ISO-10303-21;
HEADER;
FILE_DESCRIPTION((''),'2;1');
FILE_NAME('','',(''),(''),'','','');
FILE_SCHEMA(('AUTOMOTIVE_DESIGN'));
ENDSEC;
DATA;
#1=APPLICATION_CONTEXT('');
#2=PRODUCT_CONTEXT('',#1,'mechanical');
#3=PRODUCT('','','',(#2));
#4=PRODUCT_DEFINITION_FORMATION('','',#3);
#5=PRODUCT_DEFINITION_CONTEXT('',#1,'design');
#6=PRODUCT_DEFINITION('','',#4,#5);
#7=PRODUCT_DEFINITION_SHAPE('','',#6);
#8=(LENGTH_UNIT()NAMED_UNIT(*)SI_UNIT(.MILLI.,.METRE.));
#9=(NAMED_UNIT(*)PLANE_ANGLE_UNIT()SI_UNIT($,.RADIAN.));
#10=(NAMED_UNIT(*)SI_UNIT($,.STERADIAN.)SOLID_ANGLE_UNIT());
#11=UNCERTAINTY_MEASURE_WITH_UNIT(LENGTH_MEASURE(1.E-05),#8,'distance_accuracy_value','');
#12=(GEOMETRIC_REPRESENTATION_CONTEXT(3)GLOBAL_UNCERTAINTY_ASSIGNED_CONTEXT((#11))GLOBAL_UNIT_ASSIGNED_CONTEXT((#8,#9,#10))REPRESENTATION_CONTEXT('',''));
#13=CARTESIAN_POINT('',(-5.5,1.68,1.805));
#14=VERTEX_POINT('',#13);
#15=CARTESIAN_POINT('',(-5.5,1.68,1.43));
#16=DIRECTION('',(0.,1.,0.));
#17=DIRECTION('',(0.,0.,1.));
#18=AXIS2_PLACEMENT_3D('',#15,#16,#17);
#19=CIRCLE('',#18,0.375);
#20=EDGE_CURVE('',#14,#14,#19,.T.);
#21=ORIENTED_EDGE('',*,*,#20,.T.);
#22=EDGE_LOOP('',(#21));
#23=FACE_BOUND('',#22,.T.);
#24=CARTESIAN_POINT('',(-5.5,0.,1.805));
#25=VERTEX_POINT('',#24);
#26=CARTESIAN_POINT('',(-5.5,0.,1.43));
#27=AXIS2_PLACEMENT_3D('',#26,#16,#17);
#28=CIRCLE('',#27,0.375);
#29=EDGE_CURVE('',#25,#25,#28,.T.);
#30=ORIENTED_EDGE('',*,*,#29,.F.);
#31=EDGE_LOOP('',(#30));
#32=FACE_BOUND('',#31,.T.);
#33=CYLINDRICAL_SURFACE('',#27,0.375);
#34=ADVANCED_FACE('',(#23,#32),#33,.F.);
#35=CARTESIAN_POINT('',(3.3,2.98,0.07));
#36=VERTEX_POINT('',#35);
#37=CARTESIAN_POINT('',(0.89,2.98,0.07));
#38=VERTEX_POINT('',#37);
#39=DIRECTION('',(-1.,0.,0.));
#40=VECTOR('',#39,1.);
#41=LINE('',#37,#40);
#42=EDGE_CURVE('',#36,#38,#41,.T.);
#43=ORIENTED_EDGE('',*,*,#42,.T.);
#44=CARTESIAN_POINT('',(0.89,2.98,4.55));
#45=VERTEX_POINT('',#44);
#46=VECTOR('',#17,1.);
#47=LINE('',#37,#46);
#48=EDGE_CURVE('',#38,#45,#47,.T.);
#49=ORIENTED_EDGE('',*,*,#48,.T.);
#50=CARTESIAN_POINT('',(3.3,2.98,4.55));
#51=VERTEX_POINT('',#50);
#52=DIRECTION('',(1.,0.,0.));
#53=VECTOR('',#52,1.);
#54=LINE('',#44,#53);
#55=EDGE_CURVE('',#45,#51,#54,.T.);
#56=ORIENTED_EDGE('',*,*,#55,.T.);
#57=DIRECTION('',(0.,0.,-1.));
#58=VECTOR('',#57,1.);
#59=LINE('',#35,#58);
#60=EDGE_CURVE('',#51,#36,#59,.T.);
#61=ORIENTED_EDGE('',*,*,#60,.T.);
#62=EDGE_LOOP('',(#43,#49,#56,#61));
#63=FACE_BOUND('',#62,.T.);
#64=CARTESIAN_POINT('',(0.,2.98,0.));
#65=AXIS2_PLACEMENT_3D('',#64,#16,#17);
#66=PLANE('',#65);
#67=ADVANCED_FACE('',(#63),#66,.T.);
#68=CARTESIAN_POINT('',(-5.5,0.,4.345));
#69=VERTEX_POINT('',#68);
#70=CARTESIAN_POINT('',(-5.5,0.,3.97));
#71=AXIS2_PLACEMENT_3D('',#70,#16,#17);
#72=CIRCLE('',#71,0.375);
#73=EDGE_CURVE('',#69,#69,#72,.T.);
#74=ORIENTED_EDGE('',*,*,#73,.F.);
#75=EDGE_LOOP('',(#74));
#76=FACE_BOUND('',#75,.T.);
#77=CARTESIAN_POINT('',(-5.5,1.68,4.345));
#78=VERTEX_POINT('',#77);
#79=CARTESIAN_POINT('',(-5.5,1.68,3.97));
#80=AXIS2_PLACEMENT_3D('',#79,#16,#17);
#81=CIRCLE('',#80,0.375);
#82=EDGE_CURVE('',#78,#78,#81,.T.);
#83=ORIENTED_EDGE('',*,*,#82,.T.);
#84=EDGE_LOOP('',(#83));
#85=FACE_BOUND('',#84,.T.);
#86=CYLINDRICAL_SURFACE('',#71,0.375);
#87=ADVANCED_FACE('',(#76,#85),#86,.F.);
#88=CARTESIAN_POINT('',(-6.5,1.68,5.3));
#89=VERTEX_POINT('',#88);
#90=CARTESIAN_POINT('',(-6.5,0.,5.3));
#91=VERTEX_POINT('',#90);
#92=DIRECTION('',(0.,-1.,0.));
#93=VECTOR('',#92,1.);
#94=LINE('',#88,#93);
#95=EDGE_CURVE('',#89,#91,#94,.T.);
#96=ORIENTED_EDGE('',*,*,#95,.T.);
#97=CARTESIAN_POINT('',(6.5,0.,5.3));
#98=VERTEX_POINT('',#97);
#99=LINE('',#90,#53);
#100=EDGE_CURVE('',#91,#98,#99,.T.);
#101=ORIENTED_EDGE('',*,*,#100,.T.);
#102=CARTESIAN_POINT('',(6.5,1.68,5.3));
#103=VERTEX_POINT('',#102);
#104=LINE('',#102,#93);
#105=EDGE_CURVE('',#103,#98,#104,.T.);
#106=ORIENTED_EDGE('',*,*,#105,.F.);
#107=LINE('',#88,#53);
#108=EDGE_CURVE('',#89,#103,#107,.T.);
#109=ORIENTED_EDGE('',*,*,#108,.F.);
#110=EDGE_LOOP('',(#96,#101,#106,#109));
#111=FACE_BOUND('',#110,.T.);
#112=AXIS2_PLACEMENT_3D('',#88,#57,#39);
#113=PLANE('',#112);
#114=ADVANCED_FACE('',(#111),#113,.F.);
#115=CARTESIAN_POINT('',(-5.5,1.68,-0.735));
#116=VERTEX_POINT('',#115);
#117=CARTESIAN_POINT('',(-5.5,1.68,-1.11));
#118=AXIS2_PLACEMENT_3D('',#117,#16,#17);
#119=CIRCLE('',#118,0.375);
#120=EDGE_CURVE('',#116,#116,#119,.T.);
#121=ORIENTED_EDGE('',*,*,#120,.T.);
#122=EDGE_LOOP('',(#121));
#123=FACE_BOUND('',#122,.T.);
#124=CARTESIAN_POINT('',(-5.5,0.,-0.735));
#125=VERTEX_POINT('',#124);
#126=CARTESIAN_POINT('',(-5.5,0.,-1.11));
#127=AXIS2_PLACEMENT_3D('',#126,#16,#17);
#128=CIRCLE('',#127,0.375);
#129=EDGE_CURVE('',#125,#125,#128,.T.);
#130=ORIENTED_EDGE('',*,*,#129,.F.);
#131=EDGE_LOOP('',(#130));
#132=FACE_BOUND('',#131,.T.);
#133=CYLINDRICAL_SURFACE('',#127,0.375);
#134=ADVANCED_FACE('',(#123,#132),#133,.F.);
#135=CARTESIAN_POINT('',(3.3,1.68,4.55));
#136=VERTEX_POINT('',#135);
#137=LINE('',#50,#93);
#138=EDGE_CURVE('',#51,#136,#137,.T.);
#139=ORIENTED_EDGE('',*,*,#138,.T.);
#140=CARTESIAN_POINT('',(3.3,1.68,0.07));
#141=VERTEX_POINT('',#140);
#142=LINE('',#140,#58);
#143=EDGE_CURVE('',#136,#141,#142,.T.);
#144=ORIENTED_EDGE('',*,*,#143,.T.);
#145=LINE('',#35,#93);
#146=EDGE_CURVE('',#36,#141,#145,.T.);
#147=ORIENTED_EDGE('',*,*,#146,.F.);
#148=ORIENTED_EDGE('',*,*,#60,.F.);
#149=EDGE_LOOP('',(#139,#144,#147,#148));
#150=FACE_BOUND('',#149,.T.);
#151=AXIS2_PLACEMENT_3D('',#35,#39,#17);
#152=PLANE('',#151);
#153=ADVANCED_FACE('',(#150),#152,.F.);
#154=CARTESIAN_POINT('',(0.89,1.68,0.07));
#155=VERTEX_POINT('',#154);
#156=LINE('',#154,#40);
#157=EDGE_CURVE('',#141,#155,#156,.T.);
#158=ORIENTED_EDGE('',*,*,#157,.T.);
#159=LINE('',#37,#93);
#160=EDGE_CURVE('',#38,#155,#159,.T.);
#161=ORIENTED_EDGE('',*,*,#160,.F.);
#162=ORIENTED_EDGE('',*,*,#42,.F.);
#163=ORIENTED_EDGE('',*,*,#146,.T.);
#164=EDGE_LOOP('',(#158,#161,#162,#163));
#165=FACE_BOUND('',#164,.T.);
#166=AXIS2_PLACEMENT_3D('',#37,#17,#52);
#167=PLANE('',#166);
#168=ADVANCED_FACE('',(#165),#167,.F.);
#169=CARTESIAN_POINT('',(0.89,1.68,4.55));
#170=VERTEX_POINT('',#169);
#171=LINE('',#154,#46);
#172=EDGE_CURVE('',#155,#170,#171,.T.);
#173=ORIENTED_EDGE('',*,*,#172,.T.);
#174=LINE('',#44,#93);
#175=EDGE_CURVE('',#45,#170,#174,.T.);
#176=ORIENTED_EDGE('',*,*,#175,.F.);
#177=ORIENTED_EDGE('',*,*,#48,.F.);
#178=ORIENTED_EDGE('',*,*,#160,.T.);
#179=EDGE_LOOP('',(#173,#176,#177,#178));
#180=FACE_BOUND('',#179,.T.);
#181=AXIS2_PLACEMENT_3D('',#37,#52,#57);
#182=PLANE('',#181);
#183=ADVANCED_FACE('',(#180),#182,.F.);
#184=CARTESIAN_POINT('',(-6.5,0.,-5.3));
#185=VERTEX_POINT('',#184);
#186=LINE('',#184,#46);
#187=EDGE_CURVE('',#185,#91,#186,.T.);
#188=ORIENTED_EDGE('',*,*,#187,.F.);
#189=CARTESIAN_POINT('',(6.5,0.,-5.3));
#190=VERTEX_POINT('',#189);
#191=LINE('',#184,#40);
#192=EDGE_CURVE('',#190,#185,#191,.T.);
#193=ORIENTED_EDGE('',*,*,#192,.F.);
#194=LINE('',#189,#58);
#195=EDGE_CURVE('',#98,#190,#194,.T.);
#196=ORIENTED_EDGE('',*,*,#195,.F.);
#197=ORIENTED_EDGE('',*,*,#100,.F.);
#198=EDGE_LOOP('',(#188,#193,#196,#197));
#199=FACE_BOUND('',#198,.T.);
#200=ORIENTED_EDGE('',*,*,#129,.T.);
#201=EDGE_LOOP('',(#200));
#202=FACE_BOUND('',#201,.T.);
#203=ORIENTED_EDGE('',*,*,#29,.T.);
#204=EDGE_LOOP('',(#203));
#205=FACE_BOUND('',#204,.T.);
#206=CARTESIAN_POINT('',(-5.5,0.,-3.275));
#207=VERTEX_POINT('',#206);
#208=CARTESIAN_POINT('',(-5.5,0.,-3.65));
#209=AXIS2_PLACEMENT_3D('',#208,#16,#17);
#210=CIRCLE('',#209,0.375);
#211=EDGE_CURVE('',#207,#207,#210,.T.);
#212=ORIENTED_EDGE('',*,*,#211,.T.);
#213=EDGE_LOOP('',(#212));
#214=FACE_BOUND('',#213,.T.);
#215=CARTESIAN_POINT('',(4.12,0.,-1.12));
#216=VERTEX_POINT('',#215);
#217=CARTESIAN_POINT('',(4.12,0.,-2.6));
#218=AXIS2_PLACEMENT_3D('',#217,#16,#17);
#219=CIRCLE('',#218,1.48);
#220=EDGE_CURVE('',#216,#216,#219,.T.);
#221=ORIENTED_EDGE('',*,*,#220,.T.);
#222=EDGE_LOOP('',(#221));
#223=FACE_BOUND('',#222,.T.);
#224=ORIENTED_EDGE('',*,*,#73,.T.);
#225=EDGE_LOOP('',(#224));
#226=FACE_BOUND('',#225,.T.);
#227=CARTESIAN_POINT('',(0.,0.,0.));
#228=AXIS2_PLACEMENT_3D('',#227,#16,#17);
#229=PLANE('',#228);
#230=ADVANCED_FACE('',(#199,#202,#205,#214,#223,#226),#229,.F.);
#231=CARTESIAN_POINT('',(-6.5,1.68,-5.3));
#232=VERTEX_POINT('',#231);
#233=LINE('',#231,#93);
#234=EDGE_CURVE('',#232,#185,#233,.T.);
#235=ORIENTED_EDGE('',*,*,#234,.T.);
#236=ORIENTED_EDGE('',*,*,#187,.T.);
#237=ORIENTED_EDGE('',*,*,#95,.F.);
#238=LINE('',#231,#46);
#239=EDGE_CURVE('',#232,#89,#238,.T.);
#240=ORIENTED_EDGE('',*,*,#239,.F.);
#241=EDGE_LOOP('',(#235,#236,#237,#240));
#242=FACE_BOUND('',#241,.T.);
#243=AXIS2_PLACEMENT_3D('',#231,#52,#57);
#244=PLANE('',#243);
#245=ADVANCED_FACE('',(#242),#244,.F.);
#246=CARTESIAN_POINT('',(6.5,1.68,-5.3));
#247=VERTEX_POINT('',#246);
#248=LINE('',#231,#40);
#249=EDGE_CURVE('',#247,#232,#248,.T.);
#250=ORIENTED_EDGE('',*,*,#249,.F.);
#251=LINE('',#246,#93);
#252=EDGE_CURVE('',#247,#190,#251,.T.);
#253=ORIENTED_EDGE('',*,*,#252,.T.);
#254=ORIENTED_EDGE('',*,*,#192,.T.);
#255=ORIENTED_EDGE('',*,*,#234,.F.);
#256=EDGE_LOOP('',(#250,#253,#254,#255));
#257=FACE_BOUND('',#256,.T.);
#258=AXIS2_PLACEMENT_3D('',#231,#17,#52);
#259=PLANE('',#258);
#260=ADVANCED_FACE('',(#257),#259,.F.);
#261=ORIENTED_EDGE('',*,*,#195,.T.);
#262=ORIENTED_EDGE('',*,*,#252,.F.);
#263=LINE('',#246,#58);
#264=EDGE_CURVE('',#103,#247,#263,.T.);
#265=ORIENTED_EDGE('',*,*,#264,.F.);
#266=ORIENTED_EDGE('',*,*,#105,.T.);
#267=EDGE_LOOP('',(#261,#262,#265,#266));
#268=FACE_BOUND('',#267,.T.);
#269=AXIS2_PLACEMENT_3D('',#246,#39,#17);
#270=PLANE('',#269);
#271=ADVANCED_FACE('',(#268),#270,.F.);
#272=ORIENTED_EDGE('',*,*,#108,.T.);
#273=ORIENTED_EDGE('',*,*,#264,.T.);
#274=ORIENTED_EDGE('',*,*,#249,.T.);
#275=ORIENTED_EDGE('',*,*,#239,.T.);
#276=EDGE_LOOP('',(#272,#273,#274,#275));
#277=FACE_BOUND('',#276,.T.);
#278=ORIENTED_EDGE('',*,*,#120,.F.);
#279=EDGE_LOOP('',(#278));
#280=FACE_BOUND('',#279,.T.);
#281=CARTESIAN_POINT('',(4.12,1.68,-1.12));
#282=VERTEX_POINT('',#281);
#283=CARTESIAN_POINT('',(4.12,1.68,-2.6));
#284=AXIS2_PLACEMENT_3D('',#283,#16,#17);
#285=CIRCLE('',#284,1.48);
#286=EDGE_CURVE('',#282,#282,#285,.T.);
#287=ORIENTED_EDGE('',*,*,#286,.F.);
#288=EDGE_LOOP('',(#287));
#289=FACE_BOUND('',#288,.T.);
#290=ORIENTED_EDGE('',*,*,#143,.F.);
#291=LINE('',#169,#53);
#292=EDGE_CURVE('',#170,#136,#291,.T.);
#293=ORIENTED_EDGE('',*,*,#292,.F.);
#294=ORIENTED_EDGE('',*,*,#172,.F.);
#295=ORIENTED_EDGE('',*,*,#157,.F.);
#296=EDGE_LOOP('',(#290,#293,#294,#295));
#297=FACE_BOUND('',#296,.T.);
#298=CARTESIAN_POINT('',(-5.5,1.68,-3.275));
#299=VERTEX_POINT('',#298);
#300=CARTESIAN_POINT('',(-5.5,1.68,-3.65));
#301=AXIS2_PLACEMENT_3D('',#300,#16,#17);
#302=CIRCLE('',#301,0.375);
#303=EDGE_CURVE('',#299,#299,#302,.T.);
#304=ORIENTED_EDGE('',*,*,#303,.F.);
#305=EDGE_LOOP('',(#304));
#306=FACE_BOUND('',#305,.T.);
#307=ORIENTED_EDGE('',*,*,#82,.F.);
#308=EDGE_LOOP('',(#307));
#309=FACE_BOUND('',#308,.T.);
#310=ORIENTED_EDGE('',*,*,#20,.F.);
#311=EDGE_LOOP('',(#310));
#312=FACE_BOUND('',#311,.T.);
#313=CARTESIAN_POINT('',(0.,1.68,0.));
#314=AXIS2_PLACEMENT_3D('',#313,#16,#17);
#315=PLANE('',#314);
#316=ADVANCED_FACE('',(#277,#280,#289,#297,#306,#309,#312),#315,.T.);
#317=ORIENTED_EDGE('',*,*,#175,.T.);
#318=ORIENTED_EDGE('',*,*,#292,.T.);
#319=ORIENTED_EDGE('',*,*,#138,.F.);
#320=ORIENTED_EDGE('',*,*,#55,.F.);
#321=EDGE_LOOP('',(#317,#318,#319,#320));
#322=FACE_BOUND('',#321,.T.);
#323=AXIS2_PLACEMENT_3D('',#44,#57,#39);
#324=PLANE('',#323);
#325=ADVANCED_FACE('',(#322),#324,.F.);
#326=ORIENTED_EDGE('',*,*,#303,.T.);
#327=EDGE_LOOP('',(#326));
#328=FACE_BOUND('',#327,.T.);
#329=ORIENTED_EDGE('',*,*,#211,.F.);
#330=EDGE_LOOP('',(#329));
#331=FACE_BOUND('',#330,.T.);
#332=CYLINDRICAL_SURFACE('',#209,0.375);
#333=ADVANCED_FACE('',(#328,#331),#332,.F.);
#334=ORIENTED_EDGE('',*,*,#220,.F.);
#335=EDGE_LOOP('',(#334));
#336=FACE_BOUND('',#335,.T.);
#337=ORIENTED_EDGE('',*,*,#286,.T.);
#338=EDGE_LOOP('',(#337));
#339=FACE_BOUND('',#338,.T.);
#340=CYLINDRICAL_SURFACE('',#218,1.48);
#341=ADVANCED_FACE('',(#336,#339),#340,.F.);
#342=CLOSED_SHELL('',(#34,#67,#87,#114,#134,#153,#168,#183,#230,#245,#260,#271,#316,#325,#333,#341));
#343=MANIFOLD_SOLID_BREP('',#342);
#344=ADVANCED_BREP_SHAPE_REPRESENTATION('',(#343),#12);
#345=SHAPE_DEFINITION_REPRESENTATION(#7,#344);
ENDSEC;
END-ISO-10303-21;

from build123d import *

# Parameters (mm, degrees)
CROQUIS1_W              = 13
CROQUIS1_H              = 10.6
SALIENTE_EXTRUIR1_DEPTH = 1.68
CROQUIS2_W              = 2.41
CROQUIS2_H              = 4.48
SALIENTE_EXTRUIR2_DEPTH = 1.3
CROQUIS3_R              = 1.48
CORTAR_EXTRUIR1_DEPTH   = 9.553502207
CROQUIS4_R              = 0.375
CORTAR_EXTRUIR2_DEPTH   = 9.553502207


with BuildPart() as part:
    # Croquis1 → Saliente-Extruir1 (new body)
    with BuildSketch(Plane(origin=(0, 0, 0), x_dir=(1, 0, 0), z_dir=(0, 1, 0))):
        Rectangle(CROQUIS1_W, CROQUIS1_H)
    extrude(amount=SALIENTE_EXTRUIR1_DEPTH)

    # Croquis2 → Saliente-Extruir2 (add)
    with BuildSketch(Plane(origin=(0, 1.68, 0), x_dir=(1, 0, 0), z_dir=(0, 1, 0))):
        with Locations((2.095, -2.31)):
            Rectangle(CROQUIS2_W, CROQUIS2_H)
    extrude(amount=SALIENTE_EXTRUIR2_DEPTH)

    # Croquis3 → Cortar-Extruir1 (cut, through all)
    with BuildSketch(Plane(origin=(0, 1.68, 0), x_dir=(1, 0, 0), z_dir=(0, 1, 0))):
        with Locations(Location((4.12, 2.6, 0), (0, 0, 270))):
            Circle(CROQUIS3_R)
    extrude(amount=-CORTAR_EXTRUIR1_DEPTH, mode=Mode.SUBTRACT)

    # Croquis4 → Cortar-Extruir2 (cut, through all)
    with BuildSketch(Plane(origin=(0, 1.68, 0), x_dir=(1, 0, 0), z_dir=(0, 1, 0))):
        with Locations(Location((-5.5, 3.65, 0), (0, 0, 270))):
            Circle(CROQUIS4_R)
        with Locations(Location((-5.5, 1.11, 0), (0, 0, 270))):
            Circle(CROQUIS4_R)
        with Locations(Location((-5.5, -1.43, 0), (0, 0, 270))):
            Circle(CROQUIS4_R)
        with Locations(Location((-5.5, -3.97, 0), (0, 0, 270))):
            Circle(CROQUIS4_R)
    extrude(amount=-CORTAR_EXTRUIR2_DEPTH, mode=Mode.SUBTRACT)


solid = part.part
